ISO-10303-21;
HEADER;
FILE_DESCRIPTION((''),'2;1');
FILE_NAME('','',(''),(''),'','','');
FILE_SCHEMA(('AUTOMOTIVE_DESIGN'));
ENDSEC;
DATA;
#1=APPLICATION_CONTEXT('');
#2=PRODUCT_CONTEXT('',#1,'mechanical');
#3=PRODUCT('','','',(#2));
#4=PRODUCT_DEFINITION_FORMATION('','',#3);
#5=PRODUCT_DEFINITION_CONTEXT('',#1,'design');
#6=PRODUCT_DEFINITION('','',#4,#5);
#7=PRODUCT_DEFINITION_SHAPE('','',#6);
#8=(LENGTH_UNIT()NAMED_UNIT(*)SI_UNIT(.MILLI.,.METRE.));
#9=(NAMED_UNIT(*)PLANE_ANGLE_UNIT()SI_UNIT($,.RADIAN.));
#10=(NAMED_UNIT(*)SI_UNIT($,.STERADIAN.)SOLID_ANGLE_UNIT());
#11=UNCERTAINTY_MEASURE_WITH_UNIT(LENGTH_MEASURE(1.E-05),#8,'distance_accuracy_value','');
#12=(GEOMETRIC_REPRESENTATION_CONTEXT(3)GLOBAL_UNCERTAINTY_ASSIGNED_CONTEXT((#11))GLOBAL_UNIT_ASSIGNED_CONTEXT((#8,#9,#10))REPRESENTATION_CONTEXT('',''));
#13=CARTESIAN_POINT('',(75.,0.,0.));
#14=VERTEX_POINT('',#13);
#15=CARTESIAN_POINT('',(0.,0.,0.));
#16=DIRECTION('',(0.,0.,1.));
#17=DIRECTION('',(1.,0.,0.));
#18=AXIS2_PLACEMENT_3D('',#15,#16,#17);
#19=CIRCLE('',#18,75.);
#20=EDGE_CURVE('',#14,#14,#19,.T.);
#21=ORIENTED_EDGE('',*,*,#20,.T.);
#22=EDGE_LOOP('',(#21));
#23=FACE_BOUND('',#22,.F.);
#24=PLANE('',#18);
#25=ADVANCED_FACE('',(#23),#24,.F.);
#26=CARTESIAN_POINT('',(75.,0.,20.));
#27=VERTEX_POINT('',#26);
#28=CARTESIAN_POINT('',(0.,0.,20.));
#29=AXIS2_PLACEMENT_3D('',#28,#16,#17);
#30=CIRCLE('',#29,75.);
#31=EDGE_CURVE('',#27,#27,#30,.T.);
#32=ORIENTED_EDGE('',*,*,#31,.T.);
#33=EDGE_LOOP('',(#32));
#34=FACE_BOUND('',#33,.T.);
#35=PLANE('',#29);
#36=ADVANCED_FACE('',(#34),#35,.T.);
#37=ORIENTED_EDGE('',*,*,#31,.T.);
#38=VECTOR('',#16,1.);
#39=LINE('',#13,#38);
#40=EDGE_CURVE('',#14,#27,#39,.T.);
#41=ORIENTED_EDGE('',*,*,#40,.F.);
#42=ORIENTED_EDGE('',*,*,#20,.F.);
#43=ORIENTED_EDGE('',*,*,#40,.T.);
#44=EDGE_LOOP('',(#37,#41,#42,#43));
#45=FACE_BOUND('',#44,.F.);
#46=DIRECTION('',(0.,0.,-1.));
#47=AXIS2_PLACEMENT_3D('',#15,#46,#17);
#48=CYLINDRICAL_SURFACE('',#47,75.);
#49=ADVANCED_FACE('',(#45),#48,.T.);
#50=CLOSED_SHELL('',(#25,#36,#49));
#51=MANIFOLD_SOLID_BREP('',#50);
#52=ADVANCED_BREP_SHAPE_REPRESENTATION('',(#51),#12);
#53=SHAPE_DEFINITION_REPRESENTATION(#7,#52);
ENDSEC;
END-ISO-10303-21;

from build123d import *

# Parameters (mm, degrees)
SKETCH1_R           = 75
BOSS_EXTRUDE1_DEPTH = 20


with BuildPart() as part:
    # Sketch1 → Boss-Extrude1 (new body)
    with BuildSketch(Plane.XY):
        Circle(SKETCH1_R)
    extrude(amount=BOSS_EXTRUDE1_DEPTH)


solid = part.part
